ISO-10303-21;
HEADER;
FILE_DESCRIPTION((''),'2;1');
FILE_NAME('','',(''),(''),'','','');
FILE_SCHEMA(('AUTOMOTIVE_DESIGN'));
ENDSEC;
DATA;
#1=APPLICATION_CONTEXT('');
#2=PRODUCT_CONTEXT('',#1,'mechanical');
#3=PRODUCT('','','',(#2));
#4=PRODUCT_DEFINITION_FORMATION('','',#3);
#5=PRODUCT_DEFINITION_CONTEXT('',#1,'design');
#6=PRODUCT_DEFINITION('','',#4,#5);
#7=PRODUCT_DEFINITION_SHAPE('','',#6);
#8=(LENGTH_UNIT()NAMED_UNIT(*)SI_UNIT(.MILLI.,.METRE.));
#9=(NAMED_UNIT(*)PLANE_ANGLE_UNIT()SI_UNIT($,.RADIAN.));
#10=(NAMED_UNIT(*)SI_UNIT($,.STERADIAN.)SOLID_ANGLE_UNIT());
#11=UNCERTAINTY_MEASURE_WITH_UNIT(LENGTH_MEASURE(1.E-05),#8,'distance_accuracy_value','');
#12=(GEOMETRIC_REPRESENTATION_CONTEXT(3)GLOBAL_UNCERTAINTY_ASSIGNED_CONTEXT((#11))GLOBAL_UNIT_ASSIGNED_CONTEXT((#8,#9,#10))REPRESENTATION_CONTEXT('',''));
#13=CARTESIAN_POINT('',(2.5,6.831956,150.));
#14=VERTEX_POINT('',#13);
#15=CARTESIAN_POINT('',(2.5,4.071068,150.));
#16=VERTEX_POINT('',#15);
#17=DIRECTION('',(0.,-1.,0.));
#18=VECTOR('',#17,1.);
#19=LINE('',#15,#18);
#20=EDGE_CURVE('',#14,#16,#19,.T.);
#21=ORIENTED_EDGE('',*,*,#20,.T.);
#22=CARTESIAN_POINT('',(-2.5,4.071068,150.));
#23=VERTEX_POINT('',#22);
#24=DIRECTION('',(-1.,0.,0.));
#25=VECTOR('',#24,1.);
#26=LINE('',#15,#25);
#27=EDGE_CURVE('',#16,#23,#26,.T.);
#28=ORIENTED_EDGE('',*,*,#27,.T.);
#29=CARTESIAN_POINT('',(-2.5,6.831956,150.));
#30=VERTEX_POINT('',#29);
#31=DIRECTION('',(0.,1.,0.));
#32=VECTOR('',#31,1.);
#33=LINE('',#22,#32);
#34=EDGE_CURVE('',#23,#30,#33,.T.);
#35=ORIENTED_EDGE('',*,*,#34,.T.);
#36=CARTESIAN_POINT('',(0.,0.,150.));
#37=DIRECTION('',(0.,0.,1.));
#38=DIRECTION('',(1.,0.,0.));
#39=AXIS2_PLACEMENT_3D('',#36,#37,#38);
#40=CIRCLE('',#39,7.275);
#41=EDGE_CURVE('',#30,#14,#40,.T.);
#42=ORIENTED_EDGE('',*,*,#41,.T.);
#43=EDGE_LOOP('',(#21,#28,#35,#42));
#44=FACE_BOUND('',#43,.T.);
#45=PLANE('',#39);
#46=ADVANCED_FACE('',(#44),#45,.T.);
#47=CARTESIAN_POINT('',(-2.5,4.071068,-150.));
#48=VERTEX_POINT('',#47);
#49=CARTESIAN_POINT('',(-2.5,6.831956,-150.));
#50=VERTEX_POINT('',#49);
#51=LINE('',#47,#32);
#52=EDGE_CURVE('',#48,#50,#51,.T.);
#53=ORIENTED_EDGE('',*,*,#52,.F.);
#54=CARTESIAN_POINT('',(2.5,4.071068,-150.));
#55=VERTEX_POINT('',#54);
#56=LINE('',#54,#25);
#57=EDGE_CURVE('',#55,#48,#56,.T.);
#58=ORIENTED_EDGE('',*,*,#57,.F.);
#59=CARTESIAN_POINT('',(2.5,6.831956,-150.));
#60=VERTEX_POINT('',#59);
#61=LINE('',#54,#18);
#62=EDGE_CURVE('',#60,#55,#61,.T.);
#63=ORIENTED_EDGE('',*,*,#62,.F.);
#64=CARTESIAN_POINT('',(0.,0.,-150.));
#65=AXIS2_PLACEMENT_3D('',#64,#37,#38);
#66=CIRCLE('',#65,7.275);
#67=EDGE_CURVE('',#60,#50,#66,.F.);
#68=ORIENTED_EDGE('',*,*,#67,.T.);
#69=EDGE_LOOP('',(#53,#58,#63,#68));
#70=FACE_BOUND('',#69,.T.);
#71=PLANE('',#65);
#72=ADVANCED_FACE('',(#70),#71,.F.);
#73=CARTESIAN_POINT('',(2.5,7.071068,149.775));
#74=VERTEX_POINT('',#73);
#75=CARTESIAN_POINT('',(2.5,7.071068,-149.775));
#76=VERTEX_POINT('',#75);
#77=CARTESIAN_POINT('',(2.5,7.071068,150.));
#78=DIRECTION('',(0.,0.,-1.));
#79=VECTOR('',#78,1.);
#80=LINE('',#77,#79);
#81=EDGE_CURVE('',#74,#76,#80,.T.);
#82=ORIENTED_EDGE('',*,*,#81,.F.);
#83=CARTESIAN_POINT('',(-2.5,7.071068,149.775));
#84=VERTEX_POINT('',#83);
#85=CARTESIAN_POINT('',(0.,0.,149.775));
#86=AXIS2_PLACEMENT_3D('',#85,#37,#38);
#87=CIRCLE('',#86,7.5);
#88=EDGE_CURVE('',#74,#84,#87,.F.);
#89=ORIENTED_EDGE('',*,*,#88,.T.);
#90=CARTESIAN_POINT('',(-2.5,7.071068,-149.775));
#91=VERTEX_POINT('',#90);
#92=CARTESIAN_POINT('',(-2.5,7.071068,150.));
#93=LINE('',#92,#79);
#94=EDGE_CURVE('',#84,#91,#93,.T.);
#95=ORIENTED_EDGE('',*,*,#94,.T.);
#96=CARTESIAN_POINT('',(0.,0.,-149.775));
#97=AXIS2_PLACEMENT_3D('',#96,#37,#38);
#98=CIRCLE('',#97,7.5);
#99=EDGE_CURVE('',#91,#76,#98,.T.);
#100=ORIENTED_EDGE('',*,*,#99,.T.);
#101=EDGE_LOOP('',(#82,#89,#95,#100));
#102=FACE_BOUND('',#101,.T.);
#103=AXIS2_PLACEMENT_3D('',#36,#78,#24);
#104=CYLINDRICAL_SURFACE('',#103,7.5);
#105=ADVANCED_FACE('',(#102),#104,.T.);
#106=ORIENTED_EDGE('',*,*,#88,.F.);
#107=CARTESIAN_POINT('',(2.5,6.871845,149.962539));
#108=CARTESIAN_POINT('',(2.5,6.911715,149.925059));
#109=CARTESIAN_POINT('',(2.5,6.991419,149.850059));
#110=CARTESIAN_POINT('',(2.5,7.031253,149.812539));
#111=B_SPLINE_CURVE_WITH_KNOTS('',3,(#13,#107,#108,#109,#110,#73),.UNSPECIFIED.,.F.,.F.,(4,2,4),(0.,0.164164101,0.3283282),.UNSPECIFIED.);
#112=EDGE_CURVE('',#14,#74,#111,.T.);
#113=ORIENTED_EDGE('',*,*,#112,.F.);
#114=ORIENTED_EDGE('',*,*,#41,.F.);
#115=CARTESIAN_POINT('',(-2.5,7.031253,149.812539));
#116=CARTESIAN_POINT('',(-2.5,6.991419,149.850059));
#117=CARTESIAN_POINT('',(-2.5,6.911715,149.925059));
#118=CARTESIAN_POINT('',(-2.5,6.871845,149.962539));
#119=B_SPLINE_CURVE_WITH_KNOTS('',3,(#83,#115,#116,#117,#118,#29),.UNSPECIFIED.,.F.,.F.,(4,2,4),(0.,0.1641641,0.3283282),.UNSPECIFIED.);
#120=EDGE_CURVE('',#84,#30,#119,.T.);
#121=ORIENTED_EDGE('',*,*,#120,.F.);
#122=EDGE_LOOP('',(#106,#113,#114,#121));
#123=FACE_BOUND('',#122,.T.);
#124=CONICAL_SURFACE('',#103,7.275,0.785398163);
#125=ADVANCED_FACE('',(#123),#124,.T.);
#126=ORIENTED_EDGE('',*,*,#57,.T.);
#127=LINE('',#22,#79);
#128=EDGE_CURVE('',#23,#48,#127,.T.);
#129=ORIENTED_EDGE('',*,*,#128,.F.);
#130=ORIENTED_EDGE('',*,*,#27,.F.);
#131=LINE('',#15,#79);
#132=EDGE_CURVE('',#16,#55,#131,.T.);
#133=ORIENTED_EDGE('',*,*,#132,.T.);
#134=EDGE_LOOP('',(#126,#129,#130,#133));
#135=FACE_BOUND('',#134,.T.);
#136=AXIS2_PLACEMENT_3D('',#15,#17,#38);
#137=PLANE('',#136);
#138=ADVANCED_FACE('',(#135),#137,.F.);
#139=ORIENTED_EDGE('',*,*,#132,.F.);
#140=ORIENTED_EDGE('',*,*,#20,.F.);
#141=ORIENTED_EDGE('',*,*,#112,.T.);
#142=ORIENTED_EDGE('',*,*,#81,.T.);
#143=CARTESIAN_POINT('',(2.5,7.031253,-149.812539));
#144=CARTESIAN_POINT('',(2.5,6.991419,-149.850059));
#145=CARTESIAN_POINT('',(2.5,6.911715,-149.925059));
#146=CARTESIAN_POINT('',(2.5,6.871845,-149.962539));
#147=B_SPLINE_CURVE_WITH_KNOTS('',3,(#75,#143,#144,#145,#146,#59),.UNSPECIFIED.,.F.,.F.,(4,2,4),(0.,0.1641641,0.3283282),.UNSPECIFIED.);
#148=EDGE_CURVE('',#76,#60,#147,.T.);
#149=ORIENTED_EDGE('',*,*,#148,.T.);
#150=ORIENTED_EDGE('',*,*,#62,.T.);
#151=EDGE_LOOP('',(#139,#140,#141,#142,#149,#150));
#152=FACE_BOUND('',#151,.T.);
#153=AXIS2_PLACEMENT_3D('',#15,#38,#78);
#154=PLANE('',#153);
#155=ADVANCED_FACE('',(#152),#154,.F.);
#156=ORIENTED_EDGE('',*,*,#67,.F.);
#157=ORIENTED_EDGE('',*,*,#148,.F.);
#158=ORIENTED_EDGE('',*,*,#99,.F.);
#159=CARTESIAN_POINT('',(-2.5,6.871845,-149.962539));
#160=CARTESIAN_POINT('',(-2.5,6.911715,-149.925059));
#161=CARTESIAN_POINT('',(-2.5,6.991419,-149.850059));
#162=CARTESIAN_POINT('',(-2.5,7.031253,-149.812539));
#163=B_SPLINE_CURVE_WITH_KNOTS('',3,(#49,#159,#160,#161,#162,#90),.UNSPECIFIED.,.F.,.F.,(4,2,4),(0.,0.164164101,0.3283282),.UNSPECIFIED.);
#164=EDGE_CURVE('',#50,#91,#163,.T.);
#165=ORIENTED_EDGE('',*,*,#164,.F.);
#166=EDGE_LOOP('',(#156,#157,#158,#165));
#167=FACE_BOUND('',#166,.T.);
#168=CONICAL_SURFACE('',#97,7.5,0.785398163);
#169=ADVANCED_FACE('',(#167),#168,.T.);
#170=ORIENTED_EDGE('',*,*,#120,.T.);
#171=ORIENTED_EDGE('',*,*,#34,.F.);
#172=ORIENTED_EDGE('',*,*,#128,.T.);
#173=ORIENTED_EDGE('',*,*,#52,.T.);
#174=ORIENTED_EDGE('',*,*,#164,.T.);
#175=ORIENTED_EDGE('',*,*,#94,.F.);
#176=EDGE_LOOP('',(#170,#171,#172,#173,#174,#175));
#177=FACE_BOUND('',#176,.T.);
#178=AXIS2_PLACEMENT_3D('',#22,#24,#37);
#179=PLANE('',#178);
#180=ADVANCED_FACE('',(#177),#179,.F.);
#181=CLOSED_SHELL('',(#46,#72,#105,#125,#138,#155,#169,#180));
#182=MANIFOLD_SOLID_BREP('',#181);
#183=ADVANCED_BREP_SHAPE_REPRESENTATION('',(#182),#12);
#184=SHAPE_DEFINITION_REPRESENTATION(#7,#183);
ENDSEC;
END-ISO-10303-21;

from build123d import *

# Parameters (mm, degrees)
BOSS_EXTRUDE1_DEPTH      = 150
BOSS_EXTRUDE1_DEPTH_BACK = 150
CHAMFER1_SIZE            = 0.225


with BuildPart() as part:
    # Sketch3 → Boss-Extrude1 (new body, two sides)
    with BuildSketch(Plane.XY) as boss_extrude1_sk:
        with BuildLine():
            Line((-2.5, 4.071067812), (-2.5, 7.071067812))
            ThreePointArc((-2.5, 7.071067812), (0, -7.5), (2.5, 7.071067812))
            Line((2.5, 7.071067812), (2.5, 4.071067812))
            Line((2.5, 4.071067812), (-2.5, 4.071067812))
        make_face()
    extrude(amount=BOSS_EXTRUDE1_DEPTH)
    extrude(boss_extrude1_sk.sketch, amount=-BOSS_EXTRUDE1_DEPTH_BACK)

    # Chamfer1
    chamfer1_edges = [part.edges().sort_by_distance(p)[0] for p in [
        (0, -7.5, -150),
        (0, -7.5, 150),
    ]]
    chamfer(chamfer1_edges, length=CHAMFER1_SIZE)


solid = part.part
